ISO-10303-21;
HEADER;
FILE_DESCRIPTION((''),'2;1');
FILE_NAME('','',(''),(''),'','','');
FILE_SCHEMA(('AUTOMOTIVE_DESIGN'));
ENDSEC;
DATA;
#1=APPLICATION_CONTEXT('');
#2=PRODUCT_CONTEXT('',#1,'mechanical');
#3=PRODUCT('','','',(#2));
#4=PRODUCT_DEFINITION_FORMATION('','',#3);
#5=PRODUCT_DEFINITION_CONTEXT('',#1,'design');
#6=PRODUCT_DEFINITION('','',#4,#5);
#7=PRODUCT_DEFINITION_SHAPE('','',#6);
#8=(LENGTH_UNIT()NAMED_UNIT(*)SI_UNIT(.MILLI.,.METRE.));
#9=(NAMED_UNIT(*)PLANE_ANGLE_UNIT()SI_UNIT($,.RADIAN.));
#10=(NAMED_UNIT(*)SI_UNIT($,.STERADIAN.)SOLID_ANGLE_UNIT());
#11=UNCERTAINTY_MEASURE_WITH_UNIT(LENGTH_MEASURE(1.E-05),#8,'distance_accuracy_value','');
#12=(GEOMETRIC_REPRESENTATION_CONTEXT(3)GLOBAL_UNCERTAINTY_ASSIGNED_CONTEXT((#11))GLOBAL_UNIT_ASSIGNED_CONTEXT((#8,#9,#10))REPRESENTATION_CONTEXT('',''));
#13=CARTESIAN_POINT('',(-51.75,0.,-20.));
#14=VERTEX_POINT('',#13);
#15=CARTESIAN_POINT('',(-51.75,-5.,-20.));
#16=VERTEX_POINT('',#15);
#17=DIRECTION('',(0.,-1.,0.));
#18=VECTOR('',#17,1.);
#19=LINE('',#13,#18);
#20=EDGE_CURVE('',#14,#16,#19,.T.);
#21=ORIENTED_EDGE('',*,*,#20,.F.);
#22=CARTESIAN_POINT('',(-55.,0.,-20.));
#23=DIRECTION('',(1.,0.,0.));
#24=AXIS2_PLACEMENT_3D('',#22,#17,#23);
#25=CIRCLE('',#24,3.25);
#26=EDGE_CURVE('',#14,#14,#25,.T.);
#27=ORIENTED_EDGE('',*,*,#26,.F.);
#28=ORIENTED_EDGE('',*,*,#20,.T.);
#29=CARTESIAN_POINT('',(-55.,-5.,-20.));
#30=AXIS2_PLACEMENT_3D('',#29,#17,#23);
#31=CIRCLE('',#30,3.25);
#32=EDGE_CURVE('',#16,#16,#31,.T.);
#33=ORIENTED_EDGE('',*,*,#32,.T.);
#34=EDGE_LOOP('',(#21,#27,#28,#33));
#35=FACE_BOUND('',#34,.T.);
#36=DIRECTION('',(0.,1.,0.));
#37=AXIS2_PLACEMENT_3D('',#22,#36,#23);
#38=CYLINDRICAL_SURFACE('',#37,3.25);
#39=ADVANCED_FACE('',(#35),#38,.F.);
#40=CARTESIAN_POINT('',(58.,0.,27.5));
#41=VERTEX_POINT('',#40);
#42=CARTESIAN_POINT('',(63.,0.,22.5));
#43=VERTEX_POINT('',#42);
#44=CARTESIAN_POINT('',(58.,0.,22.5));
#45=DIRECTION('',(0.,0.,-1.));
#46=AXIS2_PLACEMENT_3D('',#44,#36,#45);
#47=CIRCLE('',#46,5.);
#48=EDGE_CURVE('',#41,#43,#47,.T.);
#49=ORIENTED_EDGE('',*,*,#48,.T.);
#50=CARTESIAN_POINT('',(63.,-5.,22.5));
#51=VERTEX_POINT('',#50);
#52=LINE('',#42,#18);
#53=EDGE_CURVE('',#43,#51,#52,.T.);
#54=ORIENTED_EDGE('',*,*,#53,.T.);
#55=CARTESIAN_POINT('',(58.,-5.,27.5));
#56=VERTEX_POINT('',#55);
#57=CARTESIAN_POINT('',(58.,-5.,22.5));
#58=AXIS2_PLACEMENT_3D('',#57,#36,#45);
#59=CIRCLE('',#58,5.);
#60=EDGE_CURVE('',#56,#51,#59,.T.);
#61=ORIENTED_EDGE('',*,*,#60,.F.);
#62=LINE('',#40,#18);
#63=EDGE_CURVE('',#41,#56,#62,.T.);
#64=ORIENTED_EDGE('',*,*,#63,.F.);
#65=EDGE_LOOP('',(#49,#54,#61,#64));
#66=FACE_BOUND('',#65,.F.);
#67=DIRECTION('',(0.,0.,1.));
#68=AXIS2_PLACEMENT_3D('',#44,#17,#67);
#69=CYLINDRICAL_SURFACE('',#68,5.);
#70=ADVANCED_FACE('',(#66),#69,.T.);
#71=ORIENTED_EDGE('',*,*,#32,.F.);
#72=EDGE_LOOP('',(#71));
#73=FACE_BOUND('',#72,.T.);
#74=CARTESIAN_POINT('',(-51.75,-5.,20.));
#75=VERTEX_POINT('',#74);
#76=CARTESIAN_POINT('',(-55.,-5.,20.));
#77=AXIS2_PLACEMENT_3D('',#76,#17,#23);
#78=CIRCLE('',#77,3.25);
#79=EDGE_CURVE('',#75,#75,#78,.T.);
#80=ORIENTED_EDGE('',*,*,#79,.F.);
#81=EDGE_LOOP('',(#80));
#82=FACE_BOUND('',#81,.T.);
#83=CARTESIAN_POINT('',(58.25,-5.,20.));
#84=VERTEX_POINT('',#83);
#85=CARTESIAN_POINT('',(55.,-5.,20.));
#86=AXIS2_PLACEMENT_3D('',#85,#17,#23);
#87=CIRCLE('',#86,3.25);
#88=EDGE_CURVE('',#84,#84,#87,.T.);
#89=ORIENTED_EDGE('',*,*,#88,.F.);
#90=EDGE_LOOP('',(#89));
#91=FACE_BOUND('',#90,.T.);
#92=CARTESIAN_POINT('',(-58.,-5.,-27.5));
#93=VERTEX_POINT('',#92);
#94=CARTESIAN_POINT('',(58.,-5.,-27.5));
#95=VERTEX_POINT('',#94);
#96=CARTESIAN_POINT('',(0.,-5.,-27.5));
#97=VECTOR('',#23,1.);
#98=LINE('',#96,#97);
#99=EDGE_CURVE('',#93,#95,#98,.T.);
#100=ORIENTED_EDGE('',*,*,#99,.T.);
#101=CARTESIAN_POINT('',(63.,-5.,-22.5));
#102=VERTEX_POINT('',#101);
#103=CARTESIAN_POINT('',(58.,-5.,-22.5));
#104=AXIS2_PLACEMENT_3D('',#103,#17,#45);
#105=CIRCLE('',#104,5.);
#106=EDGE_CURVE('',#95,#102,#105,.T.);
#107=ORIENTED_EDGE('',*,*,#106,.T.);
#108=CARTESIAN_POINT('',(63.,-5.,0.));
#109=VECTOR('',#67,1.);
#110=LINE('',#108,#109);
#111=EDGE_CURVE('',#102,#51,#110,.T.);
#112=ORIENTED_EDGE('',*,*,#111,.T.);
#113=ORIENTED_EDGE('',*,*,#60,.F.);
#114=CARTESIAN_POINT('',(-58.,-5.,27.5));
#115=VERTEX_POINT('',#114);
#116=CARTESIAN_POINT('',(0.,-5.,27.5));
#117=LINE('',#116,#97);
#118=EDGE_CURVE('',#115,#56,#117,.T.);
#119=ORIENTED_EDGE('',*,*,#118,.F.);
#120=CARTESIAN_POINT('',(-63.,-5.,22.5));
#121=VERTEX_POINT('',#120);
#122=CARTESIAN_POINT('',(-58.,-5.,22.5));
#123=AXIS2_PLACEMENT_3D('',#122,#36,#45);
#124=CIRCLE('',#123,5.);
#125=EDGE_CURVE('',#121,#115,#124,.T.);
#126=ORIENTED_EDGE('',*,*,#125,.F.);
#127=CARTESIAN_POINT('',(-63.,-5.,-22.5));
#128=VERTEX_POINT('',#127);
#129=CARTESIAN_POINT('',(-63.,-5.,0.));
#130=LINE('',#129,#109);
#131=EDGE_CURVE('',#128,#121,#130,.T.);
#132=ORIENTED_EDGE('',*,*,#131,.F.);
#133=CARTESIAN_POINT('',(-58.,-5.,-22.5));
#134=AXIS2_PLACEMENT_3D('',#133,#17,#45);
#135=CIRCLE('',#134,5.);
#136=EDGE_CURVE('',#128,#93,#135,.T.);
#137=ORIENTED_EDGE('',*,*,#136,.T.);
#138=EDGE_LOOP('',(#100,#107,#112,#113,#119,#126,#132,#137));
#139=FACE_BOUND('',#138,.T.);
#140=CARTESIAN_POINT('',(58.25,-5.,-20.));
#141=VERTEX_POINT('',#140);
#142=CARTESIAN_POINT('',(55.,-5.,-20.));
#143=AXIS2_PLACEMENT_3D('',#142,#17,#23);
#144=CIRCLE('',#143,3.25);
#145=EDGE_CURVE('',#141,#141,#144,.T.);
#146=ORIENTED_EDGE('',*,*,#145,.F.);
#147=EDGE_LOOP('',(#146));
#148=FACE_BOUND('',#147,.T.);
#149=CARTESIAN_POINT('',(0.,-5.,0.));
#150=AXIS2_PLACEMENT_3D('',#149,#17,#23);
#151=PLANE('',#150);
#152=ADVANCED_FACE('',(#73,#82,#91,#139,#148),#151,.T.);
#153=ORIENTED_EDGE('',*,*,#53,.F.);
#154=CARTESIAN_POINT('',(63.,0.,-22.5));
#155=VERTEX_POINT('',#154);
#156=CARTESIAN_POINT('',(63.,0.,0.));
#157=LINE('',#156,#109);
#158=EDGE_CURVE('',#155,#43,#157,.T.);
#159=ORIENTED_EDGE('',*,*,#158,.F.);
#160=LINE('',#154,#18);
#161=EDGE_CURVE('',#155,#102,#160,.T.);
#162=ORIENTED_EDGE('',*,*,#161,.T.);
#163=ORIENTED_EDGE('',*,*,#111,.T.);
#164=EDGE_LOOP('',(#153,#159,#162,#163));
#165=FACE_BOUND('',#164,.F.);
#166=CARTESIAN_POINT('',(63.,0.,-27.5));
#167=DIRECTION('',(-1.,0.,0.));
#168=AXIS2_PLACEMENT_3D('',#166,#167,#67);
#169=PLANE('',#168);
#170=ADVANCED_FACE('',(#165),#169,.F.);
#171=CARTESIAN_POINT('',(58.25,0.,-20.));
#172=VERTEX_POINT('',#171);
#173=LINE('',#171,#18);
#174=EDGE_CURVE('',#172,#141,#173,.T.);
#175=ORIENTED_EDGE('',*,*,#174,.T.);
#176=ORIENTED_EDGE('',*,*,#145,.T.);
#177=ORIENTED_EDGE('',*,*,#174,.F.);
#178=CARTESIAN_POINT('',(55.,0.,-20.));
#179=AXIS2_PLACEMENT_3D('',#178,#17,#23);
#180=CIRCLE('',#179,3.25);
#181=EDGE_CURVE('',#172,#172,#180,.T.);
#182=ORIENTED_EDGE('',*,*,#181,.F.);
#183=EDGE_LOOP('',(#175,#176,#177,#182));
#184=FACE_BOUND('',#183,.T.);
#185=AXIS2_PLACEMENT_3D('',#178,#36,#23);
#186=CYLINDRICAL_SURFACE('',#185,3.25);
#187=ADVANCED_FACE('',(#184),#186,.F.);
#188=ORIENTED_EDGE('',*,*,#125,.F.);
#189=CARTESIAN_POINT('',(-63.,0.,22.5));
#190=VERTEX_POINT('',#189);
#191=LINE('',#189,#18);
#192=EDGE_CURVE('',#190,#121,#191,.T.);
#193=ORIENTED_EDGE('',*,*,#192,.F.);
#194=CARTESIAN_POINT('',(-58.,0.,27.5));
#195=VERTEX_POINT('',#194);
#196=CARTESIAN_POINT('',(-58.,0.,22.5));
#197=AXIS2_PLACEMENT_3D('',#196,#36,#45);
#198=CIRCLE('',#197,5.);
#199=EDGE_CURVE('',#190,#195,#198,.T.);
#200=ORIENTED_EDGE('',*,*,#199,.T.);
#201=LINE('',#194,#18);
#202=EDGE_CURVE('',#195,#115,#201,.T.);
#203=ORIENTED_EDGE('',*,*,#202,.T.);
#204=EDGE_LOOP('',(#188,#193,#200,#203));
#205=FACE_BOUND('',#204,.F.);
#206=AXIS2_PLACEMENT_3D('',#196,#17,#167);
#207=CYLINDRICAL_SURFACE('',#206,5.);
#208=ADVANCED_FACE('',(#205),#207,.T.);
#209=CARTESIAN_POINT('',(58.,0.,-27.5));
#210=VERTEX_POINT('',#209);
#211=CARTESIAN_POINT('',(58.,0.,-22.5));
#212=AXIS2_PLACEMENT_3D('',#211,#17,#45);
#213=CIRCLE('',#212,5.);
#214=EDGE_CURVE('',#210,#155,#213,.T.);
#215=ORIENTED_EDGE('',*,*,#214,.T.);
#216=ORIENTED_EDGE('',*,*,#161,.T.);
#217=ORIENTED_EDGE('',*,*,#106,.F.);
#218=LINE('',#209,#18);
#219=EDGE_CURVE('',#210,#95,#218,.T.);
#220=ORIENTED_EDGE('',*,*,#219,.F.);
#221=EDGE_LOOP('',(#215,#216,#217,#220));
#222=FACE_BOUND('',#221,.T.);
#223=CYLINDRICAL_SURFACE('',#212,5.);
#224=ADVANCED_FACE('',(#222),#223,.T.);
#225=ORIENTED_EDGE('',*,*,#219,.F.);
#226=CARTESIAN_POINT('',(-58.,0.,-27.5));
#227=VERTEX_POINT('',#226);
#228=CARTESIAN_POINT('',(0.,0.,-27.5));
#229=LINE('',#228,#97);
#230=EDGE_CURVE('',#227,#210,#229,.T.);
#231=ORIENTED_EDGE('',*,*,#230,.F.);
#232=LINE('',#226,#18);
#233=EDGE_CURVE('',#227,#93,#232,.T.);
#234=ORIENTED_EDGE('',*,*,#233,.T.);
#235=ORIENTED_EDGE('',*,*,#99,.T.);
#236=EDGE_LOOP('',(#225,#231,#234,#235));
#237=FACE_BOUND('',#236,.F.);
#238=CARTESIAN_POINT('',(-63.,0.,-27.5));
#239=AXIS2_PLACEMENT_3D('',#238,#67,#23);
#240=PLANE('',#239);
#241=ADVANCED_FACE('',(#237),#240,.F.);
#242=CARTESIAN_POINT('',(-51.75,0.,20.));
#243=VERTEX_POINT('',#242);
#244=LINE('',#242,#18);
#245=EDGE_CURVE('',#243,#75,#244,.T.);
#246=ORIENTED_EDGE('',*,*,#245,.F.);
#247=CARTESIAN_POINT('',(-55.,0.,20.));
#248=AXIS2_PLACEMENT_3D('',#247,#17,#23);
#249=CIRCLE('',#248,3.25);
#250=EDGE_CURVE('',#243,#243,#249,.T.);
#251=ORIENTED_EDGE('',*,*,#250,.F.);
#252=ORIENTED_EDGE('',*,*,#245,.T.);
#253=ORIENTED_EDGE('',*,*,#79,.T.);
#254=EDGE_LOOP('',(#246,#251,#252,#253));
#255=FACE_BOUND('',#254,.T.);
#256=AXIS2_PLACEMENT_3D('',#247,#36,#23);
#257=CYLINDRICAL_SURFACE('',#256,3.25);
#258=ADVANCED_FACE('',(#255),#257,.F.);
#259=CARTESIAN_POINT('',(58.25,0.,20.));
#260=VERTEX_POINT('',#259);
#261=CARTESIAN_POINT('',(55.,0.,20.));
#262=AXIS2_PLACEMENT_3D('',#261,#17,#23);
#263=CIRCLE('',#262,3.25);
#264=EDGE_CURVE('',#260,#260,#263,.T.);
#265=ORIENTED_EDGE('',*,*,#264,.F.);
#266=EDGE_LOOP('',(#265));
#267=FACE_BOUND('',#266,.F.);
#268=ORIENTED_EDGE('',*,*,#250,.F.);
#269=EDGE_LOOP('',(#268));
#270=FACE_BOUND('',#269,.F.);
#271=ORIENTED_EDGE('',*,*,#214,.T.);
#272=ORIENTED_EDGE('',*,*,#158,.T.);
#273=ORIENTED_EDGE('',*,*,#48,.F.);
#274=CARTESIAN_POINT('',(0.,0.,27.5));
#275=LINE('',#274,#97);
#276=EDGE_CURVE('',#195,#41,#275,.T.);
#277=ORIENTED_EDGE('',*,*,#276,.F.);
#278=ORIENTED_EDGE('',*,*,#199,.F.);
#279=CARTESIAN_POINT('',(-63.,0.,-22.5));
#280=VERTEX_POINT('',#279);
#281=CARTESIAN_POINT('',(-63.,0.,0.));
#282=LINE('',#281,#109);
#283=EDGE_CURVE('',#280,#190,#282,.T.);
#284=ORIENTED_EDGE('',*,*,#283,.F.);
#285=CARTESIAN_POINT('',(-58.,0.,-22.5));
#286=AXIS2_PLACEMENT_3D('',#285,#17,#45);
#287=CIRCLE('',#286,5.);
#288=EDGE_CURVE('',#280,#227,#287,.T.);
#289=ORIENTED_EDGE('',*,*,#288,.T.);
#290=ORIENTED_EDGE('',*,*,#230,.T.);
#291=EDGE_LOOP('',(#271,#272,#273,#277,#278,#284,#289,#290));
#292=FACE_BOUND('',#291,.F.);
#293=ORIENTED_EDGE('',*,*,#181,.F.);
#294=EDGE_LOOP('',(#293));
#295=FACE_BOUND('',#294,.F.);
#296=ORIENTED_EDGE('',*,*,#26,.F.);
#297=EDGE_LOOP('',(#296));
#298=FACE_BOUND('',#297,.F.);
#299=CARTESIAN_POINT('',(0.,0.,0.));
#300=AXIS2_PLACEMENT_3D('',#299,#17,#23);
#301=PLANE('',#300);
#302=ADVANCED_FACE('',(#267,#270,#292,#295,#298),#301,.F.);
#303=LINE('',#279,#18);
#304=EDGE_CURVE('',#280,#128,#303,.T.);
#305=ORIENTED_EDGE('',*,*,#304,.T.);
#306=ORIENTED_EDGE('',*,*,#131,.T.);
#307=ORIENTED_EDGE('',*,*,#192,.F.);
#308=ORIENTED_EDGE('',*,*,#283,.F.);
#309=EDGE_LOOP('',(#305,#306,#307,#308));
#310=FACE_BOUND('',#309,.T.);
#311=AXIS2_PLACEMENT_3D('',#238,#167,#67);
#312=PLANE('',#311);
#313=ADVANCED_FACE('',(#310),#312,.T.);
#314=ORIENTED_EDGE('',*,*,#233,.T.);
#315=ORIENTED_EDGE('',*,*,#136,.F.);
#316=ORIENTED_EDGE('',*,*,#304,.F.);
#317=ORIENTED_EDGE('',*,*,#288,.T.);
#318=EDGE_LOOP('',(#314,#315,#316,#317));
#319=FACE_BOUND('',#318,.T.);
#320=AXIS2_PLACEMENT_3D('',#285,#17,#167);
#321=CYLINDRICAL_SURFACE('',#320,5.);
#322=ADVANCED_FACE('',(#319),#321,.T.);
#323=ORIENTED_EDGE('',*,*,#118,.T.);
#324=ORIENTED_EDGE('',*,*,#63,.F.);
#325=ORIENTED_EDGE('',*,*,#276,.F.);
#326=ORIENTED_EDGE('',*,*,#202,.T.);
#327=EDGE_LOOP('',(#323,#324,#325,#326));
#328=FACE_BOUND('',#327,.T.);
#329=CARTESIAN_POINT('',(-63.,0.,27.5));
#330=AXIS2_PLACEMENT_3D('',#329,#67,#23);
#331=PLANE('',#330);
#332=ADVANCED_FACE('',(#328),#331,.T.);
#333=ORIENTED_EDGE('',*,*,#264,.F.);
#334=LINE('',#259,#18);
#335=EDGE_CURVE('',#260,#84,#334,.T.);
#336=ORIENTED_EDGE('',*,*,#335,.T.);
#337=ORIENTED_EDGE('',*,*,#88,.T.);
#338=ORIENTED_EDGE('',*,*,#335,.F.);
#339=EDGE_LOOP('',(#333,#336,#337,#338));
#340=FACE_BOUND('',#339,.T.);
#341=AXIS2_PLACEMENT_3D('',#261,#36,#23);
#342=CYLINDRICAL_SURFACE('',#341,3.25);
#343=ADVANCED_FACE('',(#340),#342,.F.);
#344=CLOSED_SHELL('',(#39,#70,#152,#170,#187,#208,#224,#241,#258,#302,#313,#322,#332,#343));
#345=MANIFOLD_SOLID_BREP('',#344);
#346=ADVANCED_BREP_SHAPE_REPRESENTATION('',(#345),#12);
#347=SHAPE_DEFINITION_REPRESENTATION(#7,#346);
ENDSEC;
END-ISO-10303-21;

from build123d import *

# Parameters (mm, degrees)
F0_W     = 126
F0_H     = 55
F0_R     = 3.25
F1_DEPTH = 5
F2_R     = 5


with BuildPart() as f1:
    # F0 (on Front) → F1 (new body)
    with BuildSketch(Plane.XZ):
        Rectangle(F0_W, F0_H)
        with Locations((-55, -20)):
            Circle(F0_R, mode=Mode.SUBTRACT)
        with Locations((55, -20)):
            Circle(F0_R, mode=Mode.SUBTRACT)
        with Locations((-55, 20)):
            Circle(F0_R, mode=Mode.SUBTRACT)
        with Locations((55, 20)):
            Circle(F0_R, mode=Mode.SUBTRACT)
    extrude(amount=F1_DEPTH)

    # F2
    f2_edges = [f1.edges().sort_by_distance(p)[0] for p in [
        (63, -2.5, 27.5),
        (63, -2.5, -27.5),
        (-63, -2.5, 27.5),
        (-63, -2.5, -27.5),
    ]]
    fillet(f2_edges, radius=F2_R)


solid = f1.part
